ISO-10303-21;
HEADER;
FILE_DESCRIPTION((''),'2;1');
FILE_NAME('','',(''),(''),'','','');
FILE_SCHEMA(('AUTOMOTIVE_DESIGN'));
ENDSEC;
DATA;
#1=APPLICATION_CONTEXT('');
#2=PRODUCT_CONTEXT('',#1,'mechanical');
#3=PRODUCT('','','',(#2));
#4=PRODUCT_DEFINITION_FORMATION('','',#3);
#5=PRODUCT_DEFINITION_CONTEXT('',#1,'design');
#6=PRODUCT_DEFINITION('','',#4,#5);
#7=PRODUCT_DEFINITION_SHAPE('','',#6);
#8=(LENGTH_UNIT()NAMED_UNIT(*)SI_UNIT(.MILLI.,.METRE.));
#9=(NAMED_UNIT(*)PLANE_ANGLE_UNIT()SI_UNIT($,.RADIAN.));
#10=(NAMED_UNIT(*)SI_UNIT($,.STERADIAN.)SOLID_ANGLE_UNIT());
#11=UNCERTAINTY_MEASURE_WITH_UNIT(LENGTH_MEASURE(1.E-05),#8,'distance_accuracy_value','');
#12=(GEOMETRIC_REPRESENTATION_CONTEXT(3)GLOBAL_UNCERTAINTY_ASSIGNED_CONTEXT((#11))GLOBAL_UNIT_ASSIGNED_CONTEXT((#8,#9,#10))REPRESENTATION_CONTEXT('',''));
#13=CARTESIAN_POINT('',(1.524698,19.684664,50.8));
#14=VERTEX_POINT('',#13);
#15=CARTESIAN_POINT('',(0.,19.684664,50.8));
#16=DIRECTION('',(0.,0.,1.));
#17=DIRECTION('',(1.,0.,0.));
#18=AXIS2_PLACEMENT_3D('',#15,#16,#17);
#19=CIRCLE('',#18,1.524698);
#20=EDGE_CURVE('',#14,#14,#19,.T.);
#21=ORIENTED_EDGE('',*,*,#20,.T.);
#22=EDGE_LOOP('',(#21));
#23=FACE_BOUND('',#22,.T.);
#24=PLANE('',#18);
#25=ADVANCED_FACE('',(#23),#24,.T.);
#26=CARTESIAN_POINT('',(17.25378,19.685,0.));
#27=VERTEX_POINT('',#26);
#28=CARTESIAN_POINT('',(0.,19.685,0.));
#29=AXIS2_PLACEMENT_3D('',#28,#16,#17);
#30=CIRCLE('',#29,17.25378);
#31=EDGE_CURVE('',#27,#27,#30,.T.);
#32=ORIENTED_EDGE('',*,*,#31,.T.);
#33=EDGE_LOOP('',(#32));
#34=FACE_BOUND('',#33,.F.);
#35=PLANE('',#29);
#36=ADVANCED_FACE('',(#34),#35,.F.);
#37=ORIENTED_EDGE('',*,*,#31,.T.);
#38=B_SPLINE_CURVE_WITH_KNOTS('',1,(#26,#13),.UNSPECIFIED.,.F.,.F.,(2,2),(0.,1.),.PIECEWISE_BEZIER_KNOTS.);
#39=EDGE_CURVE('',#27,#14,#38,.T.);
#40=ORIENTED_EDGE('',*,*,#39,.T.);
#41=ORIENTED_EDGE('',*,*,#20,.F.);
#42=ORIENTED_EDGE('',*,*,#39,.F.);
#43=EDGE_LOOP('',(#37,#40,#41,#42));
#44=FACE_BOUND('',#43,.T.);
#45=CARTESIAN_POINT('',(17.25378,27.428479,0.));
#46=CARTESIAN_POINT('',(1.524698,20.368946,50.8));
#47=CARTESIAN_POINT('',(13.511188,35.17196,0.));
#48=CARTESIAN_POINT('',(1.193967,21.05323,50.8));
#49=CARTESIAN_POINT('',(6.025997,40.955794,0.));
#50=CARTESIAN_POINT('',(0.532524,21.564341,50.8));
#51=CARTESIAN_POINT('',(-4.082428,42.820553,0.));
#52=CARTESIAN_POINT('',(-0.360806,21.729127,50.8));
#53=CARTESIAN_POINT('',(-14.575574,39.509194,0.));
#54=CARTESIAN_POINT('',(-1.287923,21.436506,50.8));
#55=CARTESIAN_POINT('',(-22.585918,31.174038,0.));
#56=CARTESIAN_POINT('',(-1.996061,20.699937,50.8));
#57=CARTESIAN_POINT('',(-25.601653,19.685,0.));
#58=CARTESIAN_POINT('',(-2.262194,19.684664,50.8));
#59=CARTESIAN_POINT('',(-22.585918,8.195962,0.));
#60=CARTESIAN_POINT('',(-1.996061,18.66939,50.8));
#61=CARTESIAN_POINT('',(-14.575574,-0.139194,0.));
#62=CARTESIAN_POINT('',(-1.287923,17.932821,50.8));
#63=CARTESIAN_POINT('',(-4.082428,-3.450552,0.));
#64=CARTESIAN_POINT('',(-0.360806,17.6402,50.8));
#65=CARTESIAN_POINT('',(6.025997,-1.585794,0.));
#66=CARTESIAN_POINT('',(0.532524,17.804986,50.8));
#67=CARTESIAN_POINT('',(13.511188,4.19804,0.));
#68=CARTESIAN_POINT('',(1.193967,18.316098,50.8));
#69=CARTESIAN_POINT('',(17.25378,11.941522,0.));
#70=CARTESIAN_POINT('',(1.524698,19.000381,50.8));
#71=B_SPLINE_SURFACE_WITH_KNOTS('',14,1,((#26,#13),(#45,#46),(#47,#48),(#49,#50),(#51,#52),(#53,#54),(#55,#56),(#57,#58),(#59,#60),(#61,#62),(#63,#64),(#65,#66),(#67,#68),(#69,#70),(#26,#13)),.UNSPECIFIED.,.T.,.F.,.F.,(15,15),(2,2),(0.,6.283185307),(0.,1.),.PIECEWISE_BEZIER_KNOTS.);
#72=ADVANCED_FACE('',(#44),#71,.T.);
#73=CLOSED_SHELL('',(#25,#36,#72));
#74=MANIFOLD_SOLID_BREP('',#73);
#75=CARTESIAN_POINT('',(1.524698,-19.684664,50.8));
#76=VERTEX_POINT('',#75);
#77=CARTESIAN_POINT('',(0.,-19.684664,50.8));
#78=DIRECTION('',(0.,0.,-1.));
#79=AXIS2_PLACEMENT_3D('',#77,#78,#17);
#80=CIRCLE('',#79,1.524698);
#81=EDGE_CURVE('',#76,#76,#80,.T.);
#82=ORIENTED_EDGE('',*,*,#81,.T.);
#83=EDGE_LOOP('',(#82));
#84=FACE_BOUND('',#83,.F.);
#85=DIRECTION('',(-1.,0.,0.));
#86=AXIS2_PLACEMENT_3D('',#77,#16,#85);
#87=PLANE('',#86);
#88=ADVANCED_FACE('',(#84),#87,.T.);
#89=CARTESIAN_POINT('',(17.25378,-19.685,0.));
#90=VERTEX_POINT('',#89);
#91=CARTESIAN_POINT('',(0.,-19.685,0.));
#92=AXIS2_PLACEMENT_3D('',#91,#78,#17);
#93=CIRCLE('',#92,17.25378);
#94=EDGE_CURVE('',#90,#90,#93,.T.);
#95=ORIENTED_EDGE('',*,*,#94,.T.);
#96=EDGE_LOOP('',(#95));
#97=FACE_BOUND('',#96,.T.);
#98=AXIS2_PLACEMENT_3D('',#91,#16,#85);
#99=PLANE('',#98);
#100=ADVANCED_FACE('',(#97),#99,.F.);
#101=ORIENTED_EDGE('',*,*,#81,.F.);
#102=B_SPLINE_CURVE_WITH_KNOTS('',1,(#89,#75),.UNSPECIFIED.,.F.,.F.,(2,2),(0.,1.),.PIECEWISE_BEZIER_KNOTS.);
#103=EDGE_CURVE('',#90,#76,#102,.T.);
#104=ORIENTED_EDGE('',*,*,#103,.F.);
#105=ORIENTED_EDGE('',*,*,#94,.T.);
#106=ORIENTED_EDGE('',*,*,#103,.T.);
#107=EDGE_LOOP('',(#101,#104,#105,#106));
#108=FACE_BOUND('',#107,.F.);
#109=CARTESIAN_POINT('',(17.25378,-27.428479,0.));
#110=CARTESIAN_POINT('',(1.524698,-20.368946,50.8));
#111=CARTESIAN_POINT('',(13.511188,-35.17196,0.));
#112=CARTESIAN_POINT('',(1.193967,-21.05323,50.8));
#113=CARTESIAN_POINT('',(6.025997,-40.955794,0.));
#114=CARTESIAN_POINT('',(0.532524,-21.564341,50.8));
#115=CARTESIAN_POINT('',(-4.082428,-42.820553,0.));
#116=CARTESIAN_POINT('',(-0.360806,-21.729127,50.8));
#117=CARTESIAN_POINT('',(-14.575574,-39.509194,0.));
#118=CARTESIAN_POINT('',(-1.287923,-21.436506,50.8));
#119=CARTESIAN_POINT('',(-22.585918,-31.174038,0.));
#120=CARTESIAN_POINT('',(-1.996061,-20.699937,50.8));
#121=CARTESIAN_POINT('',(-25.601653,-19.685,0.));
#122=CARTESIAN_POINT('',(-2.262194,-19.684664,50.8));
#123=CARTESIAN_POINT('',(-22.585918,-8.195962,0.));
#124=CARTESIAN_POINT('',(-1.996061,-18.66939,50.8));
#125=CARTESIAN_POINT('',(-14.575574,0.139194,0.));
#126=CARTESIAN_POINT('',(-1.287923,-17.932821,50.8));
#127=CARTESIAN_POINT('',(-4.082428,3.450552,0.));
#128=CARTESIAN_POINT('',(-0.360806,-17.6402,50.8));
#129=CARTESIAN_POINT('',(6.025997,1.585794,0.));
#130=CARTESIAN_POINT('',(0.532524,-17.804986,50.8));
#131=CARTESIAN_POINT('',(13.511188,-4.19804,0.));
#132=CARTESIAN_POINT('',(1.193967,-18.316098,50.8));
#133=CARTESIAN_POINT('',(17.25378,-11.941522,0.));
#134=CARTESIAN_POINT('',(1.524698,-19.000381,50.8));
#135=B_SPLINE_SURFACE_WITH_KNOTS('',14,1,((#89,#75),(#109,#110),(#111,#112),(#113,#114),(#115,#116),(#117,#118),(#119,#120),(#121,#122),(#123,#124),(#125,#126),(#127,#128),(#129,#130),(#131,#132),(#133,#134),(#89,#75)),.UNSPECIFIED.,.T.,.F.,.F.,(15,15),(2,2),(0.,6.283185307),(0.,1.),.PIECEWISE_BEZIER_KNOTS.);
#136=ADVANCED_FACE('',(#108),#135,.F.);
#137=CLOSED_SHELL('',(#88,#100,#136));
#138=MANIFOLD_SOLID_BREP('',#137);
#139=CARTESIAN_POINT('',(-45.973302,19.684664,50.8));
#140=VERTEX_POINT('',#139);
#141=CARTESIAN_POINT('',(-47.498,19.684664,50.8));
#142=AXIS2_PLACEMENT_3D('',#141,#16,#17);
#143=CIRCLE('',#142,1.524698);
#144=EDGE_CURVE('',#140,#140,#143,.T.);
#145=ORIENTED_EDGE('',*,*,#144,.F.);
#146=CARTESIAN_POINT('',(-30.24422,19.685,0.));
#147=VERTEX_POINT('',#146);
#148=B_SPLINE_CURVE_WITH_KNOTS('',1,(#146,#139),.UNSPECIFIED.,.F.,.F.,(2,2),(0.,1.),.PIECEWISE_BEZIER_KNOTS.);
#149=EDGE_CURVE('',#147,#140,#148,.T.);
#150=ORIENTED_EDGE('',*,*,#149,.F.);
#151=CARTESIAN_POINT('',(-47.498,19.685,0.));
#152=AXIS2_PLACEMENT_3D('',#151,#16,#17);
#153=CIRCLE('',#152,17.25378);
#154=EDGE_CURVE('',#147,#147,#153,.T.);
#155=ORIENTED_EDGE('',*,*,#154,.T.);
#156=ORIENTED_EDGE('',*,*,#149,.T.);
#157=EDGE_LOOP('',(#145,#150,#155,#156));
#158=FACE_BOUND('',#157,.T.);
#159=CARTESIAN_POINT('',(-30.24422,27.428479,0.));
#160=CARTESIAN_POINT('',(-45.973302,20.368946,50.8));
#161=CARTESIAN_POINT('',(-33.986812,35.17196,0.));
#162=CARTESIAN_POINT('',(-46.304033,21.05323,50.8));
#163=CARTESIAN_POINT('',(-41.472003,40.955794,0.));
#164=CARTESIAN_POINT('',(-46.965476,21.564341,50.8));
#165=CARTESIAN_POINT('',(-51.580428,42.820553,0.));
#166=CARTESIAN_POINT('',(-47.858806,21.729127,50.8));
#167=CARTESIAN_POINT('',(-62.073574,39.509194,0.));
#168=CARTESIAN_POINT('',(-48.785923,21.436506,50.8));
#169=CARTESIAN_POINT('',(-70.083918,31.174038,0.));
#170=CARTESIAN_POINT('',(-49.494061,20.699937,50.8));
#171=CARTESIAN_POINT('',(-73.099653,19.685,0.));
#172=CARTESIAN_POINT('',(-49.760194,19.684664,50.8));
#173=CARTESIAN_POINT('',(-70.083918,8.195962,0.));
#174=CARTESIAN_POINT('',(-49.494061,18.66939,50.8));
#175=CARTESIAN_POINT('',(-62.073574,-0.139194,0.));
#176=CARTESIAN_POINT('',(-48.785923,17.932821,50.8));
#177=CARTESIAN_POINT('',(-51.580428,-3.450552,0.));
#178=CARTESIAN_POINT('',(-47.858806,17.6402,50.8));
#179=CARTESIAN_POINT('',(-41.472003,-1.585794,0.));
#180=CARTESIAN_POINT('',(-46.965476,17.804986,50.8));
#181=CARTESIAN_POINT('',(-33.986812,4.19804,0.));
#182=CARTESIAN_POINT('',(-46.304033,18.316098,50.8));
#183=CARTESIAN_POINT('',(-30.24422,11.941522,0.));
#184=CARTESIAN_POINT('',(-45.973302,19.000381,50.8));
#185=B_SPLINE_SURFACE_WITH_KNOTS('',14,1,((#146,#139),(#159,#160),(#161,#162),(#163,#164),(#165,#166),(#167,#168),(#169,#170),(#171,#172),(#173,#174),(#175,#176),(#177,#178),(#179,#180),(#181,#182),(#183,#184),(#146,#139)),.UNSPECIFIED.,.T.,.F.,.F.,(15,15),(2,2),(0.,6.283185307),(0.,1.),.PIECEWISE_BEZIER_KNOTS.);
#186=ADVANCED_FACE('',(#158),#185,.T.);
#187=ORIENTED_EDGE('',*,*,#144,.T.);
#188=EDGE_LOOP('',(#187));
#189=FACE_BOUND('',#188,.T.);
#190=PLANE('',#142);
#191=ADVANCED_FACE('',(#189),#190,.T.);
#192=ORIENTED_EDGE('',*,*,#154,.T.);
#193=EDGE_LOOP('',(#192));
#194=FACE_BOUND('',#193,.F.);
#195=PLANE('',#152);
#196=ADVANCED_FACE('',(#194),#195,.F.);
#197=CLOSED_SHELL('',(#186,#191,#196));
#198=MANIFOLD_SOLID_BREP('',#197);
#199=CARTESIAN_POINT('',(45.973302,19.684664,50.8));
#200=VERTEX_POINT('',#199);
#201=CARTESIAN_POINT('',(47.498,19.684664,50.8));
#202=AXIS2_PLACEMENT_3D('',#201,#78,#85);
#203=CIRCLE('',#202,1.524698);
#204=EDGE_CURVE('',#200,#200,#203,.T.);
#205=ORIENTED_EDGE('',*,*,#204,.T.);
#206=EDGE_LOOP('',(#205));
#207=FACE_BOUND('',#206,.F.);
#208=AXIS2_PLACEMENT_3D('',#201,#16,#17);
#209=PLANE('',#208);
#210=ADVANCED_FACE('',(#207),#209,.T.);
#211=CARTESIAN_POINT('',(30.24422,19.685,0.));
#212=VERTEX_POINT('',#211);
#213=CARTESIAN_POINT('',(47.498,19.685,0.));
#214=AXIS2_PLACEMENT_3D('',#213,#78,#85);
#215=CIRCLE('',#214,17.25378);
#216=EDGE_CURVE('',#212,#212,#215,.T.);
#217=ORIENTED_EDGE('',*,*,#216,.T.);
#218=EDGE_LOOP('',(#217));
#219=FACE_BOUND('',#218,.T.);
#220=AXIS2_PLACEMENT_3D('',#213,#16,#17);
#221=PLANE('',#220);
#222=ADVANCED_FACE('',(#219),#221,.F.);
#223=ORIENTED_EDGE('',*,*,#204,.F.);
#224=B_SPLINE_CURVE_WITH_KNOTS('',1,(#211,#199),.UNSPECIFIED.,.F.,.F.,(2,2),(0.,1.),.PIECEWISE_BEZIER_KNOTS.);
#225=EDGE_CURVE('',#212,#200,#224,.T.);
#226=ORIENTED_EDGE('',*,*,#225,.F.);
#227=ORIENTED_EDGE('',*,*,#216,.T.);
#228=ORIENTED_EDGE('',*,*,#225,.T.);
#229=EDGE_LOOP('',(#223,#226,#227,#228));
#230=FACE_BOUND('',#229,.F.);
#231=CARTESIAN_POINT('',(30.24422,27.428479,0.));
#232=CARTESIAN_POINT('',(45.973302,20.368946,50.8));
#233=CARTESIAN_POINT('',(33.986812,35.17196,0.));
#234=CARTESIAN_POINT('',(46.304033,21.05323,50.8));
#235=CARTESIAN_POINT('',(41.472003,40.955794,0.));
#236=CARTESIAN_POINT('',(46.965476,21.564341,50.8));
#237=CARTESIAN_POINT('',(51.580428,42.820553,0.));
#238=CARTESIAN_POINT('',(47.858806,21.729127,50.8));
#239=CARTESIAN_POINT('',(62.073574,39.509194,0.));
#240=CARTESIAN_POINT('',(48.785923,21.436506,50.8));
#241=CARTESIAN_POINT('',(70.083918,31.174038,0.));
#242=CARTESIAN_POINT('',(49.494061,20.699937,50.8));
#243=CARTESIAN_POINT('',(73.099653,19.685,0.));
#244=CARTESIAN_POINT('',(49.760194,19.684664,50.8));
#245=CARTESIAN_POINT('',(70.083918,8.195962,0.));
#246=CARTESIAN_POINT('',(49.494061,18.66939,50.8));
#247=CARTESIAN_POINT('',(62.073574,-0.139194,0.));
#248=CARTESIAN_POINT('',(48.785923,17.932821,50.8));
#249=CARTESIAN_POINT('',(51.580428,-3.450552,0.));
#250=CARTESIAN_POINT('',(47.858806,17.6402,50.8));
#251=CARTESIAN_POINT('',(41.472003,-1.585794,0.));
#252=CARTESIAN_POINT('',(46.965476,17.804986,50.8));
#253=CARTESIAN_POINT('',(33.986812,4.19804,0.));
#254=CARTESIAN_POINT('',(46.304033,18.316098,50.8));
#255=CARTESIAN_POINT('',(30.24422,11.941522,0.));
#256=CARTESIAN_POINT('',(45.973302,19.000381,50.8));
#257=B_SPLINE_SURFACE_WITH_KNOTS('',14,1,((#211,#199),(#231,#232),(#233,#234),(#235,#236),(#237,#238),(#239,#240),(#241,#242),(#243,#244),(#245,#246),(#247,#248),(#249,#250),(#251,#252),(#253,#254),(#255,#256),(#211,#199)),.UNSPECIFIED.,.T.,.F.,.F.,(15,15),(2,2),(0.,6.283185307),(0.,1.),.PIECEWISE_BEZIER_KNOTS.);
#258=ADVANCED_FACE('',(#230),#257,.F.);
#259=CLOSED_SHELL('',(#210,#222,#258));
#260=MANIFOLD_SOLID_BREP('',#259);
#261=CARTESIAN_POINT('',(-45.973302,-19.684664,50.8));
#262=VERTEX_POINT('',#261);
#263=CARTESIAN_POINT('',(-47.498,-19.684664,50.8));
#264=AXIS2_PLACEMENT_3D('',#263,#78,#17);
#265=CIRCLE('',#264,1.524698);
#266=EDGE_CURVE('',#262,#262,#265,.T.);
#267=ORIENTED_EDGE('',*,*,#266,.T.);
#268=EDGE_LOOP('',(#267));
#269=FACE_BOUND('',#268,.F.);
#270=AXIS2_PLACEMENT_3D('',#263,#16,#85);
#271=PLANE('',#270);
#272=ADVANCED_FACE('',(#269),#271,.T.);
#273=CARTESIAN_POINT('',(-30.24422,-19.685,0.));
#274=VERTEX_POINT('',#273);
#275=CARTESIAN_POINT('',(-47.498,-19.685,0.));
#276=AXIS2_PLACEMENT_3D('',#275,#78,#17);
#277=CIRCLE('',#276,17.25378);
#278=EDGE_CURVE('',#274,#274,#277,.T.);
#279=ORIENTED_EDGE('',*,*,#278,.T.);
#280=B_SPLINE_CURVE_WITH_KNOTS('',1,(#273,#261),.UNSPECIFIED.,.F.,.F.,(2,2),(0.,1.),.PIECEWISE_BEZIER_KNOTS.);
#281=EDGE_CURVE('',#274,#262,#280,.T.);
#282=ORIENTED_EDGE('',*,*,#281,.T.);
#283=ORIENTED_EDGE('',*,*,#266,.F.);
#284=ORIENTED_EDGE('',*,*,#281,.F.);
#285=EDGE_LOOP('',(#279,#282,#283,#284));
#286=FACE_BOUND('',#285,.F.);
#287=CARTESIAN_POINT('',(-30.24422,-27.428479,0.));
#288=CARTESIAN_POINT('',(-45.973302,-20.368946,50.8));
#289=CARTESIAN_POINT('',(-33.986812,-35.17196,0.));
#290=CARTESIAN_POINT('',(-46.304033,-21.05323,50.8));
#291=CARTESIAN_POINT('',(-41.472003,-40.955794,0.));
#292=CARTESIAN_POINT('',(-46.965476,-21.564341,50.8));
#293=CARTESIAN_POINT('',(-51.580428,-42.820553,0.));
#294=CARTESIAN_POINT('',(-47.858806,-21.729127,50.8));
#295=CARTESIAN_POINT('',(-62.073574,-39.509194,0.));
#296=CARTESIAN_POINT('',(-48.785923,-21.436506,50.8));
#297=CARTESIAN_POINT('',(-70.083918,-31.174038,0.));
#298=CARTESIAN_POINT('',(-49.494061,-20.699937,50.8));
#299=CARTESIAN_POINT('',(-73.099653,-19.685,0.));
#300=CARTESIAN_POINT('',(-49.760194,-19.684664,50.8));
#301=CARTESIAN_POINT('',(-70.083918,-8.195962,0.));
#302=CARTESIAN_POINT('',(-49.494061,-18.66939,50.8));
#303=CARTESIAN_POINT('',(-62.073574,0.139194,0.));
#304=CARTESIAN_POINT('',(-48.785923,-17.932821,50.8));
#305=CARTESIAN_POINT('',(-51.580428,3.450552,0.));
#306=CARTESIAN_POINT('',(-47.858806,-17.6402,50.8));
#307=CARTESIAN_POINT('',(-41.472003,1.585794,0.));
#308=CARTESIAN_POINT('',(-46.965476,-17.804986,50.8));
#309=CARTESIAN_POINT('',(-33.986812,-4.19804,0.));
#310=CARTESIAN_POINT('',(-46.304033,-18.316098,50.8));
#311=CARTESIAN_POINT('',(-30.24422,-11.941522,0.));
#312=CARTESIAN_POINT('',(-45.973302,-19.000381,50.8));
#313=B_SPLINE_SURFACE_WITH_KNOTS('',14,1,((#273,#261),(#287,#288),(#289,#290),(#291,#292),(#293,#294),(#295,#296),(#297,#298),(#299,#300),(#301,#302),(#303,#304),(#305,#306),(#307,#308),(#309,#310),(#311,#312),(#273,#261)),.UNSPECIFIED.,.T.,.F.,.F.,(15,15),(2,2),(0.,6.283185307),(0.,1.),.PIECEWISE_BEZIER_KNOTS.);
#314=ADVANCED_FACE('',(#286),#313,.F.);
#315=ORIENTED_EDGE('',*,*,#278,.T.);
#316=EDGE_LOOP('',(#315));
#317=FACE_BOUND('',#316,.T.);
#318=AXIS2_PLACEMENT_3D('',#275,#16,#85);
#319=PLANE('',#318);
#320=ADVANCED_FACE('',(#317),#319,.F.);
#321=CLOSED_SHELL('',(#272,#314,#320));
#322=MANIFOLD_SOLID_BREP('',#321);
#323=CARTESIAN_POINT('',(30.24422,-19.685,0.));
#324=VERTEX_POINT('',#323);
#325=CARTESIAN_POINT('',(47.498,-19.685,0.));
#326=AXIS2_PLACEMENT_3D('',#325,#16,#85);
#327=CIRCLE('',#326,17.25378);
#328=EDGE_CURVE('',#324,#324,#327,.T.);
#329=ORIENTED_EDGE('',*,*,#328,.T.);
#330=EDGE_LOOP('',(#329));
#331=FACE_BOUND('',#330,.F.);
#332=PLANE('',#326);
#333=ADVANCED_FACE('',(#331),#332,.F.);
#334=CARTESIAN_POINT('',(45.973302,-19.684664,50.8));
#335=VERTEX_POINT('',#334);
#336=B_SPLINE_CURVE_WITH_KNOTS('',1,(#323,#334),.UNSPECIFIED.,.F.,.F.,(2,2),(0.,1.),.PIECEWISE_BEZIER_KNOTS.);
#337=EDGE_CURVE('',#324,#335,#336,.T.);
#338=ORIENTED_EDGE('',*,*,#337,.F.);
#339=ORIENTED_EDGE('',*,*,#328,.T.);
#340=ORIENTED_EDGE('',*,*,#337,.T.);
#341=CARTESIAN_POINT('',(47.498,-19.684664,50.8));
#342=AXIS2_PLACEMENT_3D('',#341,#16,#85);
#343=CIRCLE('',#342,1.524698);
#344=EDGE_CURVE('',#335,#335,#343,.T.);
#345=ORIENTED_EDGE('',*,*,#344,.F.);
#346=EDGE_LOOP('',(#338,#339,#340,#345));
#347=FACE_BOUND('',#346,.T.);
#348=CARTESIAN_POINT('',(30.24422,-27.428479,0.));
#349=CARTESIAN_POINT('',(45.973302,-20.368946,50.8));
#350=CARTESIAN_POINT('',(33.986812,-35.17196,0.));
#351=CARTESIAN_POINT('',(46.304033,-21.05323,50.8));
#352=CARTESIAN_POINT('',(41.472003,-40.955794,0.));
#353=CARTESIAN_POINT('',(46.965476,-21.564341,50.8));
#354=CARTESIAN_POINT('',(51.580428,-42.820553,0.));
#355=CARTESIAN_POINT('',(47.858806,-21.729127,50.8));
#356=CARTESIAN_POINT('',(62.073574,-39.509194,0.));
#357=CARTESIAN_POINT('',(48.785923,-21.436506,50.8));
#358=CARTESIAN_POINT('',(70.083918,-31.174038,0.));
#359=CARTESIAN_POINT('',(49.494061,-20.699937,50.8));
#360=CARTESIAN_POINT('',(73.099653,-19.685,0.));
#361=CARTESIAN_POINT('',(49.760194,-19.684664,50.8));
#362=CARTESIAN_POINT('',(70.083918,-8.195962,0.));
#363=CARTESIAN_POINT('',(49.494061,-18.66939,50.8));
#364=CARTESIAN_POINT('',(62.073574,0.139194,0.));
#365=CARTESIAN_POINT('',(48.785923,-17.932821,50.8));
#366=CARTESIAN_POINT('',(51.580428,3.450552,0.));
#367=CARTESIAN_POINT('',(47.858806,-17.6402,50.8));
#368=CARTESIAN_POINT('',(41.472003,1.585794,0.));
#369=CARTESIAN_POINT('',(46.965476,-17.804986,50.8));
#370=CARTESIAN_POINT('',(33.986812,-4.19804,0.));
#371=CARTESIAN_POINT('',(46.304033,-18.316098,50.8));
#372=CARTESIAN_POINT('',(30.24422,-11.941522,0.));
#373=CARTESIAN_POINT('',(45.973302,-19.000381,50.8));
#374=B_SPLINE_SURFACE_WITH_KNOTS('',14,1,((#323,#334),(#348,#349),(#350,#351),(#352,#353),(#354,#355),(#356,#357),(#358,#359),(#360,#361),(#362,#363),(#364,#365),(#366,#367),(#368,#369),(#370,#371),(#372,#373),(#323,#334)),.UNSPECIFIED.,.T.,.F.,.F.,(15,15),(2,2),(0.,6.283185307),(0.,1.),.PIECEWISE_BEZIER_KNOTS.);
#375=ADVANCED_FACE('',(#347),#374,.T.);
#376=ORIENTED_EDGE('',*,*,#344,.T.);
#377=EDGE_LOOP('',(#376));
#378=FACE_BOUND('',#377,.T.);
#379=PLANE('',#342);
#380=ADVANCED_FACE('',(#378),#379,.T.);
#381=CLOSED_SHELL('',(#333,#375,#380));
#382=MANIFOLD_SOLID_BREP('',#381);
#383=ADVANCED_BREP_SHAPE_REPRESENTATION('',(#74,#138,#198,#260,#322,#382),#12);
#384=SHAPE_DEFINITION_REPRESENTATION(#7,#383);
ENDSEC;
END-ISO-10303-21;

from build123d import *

# Parameters (mm, degrees)
F2_R = 17.2537802741
F5_R = 1.5246980113


with BuildPart() as f6:
    # F2 (on face) → F6 section 0
    with BuildSketch(Plane.XY):
        with Locations((0, 19.6850001812)):
            Circle(F2_R)
    # F5 (on offset) → F6 section 1
    with BuildSketch(Plane.XY.offset(50.8)):
        with Locations((0, 19.6846635257)):
            Circle(F5_R)
    loft()


with BuildPart() as f7_1:
    # F7: instance of F6
    add(f6.part.mirror(Plane.XZ))


with BuildPart() as f9_1:
    # F9: instance of F6
    add(f6.part.mirror(Plane.YZ.offset(23.749)))


with BuildPart() as f9_2:
    # F9: instance of F7_1
    add(f7_1.part.mirror(Plane.YZ.offset(23.749)))


with BuildPart() as f10_1:
    # F10: instance of F9_1
    add(f9_1.part.mirror(Plane.YZ))


with BuildPart() as f10_2:
    # F10: instance of F9_2
    add(f9_2.part.mirror(Plane.YZ))


solid = Compound([f6.part, f7_1.part, f9_1.part, f9_2.part, f10_1.part, f10_2.part])
